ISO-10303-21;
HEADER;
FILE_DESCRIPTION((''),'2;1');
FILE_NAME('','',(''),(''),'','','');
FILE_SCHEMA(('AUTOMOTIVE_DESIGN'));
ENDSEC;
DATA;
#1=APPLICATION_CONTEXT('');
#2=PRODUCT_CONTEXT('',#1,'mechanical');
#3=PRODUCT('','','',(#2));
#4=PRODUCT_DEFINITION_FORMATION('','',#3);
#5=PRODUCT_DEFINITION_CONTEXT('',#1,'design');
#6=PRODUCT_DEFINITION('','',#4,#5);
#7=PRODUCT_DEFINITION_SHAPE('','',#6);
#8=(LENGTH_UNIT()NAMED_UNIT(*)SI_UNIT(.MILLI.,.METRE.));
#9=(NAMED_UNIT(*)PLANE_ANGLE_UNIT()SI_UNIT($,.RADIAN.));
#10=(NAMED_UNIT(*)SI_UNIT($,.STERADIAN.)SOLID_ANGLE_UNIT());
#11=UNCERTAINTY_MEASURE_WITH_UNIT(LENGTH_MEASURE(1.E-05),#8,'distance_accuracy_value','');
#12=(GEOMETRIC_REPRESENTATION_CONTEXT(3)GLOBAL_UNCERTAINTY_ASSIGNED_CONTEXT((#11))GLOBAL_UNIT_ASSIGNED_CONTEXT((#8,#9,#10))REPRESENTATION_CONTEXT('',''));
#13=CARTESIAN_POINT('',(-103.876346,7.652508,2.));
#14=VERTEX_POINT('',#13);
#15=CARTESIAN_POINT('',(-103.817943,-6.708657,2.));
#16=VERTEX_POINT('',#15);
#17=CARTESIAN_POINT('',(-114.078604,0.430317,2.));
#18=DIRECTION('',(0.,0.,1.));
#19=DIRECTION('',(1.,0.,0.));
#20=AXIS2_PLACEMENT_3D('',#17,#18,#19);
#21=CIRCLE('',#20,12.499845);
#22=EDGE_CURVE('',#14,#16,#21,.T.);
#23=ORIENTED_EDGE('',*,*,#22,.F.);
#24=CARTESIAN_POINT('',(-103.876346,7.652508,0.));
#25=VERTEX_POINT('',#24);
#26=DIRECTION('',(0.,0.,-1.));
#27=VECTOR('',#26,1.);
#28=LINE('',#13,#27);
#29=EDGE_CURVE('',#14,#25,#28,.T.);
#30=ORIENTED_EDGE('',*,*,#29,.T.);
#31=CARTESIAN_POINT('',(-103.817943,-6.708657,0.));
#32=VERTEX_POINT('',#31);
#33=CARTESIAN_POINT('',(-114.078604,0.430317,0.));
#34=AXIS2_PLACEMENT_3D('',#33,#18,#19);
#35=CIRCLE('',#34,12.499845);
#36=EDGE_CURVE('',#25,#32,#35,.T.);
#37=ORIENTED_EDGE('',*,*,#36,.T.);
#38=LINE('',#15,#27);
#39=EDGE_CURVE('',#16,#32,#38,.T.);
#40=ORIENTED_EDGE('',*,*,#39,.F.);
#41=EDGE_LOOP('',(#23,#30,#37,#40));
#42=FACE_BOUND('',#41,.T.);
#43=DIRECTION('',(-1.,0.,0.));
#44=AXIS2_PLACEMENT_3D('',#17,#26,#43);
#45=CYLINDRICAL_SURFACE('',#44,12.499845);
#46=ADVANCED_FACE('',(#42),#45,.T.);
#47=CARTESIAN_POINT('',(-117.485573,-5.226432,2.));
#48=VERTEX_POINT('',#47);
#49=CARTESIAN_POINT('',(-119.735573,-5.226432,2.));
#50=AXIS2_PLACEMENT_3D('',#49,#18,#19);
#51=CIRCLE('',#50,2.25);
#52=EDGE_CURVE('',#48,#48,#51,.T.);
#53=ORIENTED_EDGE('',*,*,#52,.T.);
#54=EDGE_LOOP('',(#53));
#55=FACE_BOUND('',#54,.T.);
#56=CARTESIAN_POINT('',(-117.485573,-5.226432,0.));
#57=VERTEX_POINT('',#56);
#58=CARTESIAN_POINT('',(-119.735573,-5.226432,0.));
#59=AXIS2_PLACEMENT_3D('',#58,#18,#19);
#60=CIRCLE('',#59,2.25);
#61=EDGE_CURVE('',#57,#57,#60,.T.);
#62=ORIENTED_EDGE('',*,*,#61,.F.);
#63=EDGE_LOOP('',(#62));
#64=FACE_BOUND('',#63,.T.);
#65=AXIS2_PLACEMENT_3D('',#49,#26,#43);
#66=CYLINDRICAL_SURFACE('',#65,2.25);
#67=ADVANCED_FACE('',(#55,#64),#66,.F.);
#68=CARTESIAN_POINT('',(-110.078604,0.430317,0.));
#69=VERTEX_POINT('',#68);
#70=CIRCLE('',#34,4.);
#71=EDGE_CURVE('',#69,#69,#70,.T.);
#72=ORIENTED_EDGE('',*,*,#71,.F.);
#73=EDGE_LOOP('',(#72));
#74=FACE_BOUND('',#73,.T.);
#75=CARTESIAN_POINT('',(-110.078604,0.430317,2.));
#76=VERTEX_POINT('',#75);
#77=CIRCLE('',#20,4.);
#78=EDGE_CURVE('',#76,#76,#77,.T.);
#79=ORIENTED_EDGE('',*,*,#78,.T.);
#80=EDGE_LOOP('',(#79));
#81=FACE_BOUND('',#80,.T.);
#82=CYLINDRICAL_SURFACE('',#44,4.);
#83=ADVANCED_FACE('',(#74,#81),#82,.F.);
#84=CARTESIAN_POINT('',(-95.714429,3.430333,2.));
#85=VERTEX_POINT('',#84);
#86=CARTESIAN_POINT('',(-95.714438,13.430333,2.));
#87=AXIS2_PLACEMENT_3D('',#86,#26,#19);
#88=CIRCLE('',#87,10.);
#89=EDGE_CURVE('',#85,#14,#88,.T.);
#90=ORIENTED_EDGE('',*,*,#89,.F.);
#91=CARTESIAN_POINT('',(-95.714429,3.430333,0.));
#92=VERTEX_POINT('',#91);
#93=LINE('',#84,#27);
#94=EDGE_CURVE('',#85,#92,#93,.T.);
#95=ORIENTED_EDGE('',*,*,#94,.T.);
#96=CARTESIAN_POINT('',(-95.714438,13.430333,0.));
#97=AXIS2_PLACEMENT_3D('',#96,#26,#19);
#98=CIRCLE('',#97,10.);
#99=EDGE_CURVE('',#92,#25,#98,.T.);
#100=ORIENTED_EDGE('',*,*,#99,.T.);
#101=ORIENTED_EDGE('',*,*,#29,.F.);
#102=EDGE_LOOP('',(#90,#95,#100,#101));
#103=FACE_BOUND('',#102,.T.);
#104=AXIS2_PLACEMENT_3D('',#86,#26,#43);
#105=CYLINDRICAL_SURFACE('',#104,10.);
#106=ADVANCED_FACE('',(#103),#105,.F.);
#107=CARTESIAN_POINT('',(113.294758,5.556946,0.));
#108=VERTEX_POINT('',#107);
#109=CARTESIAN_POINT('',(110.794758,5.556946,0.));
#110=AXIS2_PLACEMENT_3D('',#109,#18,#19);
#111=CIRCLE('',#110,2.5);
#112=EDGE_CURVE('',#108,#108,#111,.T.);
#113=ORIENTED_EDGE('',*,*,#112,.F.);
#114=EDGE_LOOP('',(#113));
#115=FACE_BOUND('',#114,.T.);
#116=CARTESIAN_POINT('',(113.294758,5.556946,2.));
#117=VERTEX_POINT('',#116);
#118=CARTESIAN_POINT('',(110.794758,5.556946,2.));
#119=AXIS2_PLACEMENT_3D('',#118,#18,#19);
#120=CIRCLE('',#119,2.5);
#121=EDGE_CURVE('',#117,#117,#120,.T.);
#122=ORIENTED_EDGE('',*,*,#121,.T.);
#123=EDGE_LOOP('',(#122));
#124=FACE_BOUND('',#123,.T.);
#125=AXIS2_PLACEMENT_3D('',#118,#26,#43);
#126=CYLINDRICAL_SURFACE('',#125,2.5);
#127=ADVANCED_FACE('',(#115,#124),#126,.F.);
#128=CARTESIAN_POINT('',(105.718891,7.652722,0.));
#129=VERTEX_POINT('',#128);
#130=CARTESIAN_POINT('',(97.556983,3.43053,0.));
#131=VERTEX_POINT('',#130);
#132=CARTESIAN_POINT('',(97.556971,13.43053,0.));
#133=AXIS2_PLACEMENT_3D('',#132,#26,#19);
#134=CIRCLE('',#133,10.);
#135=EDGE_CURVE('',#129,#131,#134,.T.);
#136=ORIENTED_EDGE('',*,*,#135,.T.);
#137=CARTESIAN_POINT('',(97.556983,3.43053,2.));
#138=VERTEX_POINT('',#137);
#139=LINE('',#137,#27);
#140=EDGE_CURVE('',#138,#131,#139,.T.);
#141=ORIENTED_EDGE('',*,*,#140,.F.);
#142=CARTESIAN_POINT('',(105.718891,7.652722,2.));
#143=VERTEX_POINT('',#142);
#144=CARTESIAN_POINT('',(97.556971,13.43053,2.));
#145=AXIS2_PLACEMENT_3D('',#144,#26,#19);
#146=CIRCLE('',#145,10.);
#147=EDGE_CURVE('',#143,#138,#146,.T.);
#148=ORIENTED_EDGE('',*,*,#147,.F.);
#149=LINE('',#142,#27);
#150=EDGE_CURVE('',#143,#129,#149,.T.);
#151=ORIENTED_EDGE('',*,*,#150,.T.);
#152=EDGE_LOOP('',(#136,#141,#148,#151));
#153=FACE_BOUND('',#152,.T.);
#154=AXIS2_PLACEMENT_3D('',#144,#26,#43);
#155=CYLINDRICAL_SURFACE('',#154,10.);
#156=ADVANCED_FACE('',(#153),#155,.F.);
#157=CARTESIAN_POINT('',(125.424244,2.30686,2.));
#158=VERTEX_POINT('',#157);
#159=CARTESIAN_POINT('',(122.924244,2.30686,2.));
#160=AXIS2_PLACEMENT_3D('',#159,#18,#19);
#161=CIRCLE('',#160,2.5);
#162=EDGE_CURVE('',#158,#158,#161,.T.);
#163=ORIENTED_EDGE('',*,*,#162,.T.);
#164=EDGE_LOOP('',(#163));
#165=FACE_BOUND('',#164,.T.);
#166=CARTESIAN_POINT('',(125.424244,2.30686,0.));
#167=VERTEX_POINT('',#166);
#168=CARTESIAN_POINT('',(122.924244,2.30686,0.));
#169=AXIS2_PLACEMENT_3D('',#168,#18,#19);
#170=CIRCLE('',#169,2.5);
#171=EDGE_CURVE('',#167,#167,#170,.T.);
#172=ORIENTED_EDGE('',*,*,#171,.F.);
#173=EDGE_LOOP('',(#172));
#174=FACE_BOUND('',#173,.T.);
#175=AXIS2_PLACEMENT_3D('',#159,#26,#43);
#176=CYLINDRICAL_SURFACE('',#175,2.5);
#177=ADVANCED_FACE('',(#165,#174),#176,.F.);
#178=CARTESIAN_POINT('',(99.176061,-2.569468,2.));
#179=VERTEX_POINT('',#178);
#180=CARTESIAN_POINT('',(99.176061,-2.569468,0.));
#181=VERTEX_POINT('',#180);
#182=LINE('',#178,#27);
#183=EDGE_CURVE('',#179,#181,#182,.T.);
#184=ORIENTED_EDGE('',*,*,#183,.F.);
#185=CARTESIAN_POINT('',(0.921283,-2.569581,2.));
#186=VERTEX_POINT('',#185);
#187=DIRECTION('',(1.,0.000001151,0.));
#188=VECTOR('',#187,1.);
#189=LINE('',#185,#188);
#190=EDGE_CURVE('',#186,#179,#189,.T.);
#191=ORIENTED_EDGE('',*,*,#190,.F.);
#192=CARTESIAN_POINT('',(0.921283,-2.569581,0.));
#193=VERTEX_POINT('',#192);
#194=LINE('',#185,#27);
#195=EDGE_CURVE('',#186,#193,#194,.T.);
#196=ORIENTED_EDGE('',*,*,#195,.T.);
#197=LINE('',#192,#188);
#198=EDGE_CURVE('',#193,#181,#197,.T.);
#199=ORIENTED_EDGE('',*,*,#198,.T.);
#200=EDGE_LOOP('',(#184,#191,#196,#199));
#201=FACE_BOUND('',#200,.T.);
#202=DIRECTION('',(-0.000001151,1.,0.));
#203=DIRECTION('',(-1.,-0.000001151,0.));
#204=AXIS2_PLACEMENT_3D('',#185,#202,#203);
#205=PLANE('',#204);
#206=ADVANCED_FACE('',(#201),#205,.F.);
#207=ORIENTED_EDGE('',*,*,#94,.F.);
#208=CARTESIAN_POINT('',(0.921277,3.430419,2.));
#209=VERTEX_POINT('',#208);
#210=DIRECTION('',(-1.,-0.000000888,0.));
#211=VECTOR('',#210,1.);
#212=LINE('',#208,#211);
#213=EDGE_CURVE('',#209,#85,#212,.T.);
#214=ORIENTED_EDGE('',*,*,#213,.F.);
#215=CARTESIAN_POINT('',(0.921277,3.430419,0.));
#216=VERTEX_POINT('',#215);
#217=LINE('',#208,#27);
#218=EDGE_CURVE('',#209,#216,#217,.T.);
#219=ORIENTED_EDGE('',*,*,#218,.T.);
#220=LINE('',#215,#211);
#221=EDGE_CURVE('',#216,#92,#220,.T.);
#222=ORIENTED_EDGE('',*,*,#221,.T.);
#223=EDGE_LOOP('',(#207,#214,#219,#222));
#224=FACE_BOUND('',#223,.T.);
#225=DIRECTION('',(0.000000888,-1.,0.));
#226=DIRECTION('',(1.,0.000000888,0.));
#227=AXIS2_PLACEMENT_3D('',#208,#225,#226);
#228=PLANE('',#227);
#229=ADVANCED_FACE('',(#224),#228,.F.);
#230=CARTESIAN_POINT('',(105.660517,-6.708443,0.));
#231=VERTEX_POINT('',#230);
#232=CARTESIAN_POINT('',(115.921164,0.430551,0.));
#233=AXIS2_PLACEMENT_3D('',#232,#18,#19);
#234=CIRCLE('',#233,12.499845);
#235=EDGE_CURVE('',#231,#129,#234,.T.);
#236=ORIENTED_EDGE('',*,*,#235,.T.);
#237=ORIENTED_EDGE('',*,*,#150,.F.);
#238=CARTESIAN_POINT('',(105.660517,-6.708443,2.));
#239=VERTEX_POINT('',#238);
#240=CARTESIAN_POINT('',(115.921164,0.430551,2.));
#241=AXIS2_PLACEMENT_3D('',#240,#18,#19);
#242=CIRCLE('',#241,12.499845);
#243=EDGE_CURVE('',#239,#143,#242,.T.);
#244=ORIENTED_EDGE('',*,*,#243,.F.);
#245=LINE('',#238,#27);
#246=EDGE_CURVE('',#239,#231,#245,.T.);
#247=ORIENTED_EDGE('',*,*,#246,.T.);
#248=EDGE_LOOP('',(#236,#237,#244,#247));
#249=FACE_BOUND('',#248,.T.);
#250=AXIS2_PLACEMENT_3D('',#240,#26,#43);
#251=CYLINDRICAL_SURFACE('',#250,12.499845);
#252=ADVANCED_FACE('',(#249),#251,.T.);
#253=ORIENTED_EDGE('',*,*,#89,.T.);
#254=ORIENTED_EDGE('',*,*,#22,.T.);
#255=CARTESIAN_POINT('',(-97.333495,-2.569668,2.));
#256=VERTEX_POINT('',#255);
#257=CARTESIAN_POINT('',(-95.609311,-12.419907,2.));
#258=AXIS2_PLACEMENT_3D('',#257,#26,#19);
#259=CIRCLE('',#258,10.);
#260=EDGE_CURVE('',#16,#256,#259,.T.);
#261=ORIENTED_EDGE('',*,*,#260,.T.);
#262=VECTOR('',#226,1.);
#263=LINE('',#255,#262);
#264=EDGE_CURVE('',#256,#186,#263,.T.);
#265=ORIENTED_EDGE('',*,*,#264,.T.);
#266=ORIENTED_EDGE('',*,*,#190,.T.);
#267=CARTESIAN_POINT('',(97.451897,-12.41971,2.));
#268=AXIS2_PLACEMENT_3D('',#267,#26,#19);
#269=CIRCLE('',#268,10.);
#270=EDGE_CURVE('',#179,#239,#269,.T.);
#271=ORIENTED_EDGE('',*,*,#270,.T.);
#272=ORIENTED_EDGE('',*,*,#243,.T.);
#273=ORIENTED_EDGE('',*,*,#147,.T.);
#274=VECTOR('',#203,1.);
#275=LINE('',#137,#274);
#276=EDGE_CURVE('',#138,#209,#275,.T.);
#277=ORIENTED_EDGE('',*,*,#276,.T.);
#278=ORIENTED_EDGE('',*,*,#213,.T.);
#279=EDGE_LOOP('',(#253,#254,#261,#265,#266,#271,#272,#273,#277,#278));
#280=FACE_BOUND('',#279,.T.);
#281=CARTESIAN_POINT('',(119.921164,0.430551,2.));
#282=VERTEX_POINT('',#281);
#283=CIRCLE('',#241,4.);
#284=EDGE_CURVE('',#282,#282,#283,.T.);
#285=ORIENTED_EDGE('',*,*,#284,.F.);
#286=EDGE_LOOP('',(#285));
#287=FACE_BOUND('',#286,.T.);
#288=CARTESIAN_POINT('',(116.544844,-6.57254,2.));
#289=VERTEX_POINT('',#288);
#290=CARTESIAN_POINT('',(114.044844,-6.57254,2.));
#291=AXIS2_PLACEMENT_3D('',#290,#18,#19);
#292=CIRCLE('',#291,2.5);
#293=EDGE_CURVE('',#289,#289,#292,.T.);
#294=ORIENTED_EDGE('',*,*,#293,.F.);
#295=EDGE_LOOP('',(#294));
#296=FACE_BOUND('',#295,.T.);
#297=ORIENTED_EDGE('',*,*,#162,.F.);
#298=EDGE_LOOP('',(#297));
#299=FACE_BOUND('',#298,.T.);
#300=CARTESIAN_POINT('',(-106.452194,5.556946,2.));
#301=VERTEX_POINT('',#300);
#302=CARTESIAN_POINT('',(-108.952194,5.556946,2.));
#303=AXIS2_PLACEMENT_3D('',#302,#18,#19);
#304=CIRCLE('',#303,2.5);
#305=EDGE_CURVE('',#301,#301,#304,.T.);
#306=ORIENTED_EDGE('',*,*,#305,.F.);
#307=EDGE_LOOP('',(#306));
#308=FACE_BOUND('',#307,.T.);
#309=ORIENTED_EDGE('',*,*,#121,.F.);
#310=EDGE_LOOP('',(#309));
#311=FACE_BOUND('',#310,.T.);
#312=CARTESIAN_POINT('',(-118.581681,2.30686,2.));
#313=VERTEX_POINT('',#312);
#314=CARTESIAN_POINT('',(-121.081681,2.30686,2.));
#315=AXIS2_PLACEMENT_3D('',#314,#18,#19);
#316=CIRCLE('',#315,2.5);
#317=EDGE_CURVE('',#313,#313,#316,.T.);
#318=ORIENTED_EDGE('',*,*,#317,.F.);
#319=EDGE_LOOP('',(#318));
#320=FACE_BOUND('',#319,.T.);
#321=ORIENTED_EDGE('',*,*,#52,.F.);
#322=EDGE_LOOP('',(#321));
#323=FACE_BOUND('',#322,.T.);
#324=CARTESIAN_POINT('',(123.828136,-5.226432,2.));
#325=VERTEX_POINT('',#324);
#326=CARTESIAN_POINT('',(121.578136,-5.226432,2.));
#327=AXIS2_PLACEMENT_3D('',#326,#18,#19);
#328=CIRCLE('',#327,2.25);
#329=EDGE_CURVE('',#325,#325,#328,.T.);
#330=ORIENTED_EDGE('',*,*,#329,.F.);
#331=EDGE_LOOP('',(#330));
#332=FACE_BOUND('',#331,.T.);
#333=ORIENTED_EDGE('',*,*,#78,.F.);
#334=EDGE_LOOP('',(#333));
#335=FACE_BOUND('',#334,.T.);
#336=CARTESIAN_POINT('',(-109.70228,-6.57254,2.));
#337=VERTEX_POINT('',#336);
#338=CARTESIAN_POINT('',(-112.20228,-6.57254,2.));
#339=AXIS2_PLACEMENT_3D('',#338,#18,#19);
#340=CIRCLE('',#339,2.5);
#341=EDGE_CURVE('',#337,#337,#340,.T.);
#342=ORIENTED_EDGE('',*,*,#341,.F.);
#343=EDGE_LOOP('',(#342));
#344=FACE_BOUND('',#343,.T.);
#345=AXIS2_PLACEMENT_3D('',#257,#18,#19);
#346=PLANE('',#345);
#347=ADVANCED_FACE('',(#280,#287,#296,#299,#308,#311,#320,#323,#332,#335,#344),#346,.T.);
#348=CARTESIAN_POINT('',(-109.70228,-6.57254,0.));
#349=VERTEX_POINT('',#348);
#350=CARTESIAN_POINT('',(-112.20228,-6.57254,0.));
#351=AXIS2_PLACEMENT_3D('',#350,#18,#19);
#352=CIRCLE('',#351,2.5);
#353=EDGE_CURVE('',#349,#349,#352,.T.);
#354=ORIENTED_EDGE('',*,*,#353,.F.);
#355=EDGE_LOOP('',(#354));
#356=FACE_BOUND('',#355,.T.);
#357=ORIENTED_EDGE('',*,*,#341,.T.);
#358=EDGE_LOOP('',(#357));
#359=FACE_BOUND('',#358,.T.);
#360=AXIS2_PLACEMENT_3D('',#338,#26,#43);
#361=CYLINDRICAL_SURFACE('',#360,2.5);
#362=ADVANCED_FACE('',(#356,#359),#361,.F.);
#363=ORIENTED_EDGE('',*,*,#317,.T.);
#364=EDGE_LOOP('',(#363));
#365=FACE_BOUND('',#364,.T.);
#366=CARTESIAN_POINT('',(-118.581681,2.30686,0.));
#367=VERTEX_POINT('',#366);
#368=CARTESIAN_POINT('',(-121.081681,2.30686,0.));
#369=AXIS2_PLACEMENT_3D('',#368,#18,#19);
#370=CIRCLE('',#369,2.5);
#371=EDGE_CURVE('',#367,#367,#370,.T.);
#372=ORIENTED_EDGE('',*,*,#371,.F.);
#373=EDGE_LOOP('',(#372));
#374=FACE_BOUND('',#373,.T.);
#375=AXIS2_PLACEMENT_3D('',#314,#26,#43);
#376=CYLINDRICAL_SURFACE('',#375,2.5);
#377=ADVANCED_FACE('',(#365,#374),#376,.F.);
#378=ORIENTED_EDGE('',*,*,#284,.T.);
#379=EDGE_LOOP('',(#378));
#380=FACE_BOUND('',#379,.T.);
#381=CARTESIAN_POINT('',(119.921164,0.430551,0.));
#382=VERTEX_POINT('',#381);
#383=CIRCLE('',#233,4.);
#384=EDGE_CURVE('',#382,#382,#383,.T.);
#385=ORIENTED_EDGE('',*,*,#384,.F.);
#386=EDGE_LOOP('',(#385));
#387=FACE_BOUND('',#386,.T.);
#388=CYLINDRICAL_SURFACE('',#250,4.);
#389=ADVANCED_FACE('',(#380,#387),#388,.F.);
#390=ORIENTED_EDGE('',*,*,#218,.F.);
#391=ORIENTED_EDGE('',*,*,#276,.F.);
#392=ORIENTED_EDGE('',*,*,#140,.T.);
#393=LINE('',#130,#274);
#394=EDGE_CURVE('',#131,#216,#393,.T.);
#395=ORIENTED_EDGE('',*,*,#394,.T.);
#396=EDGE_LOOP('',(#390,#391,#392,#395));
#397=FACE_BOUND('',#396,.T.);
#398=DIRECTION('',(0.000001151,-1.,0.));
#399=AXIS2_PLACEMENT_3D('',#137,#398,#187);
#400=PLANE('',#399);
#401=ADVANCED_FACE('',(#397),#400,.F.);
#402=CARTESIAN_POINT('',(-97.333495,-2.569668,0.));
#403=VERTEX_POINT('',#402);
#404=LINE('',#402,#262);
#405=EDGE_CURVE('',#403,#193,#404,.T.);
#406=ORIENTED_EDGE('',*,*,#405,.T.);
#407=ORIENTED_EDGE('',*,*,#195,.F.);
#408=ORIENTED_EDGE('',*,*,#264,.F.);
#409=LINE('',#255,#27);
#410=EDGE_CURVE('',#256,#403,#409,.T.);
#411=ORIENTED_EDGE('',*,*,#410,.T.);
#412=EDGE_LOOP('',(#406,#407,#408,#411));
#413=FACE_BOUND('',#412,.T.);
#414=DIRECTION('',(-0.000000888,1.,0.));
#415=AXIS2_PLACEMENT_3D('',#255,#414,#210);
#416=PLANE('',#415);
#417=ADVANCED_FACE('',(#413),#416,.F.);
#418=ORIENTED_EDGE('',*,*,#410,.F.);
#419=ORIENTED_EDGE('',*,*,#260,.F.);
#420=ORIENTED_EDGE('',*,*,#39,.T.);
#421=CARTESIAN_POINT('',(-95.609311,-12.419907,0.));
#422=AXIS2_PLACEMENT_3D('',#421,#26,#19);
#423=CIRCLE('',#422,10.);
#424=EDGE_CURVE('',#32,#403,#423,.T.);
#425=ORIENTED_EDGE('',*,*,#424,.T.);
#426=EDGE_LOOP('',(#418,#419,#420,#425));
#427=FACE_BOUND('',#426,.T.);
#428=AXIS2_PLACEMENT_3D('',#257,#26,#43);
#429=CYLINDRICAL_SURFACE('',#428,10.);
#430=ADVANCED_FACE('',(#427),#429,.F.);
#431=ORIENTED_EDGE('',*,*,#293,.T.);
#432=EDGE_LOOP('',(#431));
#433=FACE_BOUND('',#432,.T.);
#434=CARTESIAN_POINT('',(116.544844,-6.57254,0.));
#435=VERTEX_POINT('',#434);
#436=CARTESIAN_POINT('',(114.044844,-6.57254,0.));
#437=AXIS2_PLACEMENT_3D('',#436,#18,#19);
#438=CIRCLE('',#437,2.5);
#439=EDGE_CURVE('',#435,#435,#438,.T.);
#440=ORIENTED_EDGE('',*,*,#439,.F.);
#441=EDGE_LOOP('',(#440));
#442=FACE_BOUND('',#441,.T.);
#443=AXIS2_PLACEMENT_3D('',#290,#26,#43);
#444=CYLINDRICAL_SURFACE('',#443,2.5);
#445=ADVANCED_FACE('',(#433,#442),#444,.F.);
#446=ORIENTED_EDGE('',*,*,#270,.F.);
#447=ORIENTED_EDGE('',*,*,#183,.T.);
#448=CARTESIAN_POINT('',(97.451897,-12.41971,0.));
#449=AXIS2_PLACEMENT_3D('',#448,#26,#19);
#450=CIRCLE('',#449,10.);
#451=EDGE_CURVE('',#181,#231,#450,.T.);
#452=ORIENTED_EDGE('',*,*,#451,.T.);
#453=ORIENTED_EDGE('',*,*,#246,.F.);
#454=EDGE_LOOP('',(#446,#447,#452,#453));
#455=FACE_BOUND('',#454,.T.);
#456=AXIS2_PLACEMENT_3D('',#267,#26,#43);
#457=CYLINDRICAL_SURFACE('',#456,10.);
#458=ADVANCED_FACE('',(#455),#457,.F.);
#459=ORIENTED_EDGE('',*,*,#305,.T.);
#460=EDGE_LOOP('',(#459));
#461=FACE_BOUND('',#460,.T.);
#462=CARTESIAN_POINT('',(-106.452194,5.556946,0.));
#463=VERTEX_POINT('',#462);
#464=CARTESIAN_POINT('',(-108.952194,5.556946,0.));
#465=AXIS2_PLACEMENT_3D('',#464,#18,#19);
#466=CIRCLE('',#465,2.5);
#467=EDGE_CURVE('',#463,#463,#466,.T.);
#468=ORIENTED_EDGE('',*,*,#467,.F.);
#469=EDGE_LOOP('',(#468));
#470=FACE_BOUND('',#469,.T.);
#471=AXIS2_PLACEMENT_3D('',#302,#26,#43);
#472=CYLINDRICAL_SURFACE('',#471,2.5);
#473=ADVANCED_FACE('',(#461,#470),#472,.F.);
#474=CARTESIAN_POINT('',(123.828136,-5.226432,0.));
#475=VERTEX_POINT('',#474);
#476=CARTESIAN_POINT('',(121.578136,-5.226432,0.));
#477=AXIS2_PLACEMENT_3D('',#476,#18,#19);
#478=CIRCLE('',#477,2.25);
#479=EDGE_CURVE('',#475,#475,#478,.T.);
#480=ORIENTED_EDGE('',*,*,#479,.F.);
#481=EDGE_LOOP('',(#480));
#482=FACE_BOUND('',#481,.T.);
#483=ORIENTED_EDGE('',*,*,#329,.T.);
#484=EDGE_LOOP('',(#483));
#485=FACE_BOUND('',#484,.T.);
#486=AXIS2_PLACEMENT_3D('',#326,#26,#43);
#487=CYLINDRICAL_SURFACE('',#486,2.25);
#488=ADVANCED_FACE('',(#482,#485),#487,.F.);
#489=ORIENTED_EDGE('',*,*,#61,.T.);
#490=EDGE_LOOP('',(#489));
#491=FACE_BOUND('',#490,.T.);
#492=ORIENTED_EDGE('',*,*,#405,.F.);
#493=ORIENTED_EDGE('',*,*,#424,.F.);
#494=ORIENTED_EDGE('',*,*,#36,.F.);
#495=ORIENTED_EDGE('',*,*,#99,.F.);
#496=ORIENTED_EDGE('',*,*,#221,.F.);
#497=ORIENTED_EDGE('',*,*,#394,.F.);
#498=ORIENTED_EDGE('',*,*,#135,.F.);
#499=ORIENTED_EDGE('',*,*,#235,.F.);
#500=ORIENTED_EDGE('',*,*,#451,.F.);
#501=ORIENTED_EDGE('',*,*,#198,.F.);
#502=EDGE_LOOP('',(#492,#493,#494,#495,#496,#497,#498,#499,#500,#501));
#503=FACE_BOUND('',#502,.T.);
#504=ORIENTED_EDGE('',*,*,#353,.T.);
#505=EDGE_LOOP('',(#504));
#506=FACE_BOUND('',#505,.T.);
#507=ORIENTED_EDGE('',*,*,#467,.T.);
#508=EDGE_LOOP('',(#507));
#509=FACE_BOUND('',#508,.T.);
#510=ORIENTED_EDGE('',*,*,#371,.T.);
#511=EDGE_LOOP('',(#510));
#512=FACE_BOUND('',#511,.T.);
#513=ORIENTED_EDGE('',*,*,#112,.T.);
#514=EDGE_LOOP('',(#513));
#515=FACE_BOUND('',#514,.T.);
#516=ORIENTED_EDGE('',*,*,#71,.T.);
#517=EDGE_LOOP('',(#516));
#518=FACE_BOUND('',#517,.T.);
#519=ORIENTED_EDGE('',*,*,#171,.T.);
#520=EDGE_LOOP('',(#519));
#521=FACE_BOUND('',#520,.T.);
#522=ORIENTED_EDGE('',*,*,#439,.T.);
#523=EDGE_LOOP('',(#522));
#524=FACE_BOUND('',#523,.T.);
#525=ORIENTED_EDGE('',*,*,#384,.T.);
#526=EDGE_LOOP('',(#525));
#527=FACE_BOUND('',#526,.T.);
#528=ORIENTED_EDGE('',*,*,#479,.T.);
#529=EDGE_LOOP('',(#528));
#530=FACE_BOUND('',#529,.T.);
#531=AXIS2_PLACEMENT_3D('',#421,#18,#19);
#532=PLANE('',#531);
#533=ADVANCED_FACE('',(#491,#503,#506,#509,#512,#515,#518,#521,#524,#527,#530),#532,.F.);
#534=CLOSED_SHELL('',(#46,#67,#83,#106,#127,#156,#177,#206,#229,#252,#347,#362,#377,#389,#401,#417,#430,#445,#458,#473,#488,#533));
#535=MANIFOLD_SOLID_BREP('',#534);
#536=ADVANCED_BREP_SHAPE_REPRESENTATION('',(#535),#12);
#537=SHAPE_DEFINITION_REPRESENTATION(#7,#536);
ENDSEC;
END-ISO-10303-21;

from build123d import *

# Parameters (mm, degrees)
SKETCH_1_R      = 2.25
SKETCH_1_R_2    = 2.5
SKETCH_1_R_3    = 4
EXTRUDE_1_DEPTH = 2


with BuildPart() as part:
    # 草图1 → 凸台-拉伸1 (new body)
    with BuildSketch(Plane.XY):
        with BuildLine():
            Line((-97.333495067, -2.569668399), (0.921282848, -2.569581138))
            Line((0.921282848, -2.569581138), (99.176060763, -2.569468011))
            ThreePointArc((99.176060763, -2.569468011), (102.832215453, -3.990464351), (105.660516847, -6.708443184))
            ThreePointArc((105.660516847, -6.708443184), (128.420905518, 0.379743237), (105.718891057, 7.652721898))
            ThreePointArc((105.718891057, 7.652721898), (102.151642887, 4.54858247), (97.556982938, 3.430530125))
            Line((97.556982938, 3.430530125), (0.92127673, 3.430418862))
            Line((0.92127673, 3.430418862), (-95.714429479, 3.430333039))
            ThreePointArc((-95.714429479, 3.430333039), (-100.309091708, 4.548376014), (-103.876346209, 7.652508166))
            ThreePointArc((-103.876346209, 7.652508166), (-126.578345836, 0.379483205), (-103.81794271, -6.708656797))
            ThreePointArc((-103.81794271, -6.708656797), (-100.989646859, -3.990672195), (-97.333495067, -2.569668399))
        make_face()
        with Locations((-119.735572513, -5.226431967)):
            Circle(SKETCH_1_R, mode=Mode.SUBTRACT)
        with Locations((-121.081680504, 2.30686036)):
            Circle(SKETCH_1_R_2, mode=Mode.SUBTRACT)
        with Locations((-108.9521941, 5.556946446)):
            Circle(SKETCH_1_R_2, mode=Mode.SUBTRACT)
        with Locations((-112.202280186, -6.572539958)):
            Circle(SKETCH_1_R_2, mode=Mode.SUBTRACT)
        with Locations((-114.078604371, 0.43031673)):
            Circle(SKETCH_1_R_3, mode=Mode.SUBTRACT)
        with Locations((115.921163949, 0.430551269)):
            Circle(SKETCH_1_R_3, mode=Mode.SUBTRACT)
        with Locations((110.794757573, 5.556946446)):
            Circle(SKETCH_1_R_2, mode=Mode.SUBTRACT)
        with Locations((122.924243977, 2.30686036)):
            Circle(SKETCH_1_R_2, mode=Mode.SUBTRACT)
        with Locations((121.578135986, -5.226431967)):
            Circle(SKETCH_1_R, mode=Mode.SUBTRACT)
        with Locations((114.04484366, -6.572539958)):
            Circle(SKETCH_1_R_2, mode=Mode.SUBTRACT)
    extrude(amount=EXTRUDE_1_DEPTH)


solid = part.part
